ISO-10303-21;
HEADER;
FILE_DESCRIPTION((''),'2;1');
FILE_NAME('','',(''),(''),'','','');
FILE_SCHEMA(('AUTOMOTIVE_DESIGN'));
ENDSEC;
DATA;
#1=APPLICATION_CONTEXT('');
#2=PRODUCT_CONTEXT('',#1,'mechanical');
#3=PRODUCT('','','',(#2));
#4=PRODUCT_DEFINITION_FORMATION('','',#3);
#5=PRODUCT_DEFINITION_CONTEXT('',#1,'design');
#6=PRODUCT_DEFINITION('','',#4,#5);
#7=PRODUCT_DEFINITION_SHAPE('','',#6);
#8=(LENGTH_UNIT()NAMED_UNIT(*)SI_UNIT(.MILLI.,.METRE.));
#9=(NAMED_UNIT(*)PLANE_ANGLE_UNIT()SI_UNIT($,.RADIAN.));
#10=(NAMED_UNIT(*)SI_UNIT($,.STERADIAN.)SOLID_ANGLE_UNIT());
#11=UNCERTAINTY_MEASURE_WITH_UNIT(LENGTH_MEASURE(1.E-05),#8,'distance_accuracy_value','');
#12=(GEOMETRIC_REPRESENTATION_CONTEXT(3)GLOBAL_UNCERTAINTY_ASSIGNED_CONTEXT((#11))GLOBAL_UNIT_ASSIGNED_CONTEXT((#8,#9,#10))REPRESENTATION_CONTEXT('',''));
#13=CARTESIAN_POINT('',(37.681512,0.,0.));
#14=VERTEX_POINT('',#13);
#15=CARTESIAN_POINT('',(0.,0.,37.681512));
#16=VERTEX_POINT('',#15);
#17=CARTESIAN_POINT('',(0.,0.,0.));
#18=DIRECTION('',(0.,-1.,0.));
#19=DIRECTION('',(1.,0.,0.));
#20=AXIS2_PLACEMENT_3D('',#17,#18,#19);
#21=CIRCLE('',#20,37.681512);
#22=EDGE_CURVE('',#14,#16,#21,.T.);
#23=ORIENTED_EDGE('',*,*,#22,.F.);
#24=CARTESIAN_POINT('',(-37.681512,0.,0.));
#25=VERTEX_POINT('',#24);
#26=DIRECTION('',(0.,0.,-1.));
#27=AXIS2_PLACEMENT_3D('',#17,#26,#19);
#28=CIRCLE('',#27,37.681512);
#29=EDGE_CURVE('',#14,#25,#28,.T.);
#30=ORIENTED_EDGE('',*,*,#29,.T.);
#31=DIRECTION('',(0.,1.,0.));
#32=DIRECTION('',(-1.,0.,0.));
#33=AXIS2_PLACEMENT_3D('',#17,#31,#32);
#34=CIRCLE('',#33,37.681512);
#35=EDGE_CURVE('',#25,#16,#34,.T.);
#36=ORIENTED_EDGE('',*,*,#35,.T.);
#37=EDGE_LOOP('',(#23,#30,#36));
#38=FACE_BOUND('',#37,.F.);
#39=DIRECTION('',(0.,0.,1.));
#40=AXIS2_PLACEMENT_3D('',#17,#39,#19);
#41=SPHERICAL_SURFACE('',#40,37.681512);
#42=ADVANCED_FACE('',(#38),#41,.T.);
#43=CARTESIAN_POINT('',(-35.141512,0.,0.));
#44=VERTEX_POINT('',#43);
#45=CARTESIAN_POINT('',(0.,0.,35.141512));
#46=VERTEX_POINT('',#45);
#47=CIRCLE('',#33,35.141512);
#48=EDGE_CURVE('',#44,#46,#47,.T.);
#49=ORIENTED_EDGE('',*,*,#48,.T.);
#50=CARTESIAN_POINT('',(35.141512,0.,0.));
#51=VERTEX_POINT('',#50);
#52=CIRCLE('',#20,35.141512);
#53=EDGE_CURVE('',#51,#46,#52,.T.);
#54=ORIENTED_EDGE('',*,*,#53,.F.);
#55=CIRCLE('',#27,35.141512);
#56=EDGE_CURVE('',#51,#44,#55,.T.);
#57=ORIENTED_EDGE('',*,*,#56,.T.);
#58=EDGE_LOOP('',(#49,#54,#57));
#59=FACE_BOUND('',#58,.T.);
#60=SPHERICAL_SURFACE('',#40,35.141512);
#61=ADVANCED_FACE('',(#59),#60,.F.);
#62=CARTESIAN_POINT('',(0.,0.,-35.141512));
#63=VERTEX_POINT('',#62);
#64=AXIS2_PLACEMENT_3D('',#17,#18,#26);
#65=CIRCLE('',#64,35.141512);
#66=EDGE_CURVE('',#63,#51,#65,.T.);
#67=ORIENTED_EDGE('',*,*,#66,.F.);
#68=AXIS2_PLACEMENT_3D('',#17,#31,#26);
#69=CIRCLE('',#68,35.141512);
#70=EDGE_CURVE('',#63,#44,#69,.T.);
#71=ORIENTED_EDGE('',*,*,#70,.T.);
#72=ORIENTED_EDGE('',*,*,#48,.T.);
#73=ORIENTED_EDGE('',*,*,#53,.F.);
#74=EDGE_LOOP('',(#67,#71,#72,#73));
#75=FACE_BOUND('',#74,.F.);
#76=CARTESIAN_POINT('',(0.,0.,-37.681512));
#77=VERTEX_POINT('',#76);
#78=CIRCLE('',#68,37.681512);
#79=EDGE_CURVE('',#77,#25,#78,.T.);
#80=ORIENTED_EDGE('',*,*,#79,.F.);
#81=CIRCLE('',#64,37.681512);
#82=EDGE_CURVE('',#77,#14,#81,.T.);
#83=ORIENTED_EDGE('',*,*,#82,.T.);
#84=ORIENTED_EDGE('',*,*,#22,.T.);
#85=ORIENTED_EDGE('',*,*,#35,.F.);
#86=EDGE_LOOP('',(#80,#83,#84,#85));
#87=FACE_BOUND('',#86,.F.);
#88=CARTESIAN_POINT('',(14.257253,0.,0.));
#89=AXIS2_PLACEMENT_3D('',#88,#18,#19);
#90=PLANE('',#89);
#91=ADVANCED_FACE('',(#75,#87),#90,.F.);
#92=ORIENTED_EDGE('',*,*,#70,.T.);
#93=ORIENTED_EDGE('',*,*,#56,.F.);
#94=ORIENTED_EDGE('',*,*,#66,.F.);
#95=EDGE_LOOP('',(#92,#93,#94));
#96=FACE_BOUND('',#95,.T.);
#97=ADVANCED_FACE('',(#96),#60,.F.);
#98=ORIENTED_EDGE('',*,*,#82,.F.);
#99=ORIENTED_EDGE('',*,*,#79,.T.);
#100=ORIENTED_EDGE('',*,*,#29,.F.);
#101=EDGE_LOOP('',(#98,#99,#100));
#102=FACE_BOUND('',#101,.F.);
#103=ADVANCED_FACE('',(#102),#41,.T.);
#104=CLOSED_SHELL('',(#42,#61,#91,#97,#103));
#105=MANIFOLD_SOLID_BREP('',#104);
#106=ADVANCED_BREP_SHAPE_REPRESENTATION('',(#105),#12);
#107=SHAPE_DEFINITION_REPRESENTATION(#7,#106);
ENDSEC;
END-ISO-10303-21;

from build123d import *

# Parameters (mm, degrees)
F1_ANGLE = 180
F2_T     = -2.54


with BuildPart() as f1:
    # F0 (on Front) → F1 (revolve)
    with BuildSketch(Plane.XZ):
        with BuildLine():
            ThreePointArc((0, -37.6815115579), (26.6448523479, -26.6448523479), (37.6815115579, 0))
            ThreePointArc((37.6815115579, 0), (26.6448523479, 26.6448523479), (0, 37.6815115579))
            Line((0, 37.6815115579), (0, -37.6815115579))
        make_face()
    revolve(axis=Axis((0, 0, 0), (0, 0, -1)), revolution_arc=F1_ANGLE)

    # F2
    f2_openings = [f1.faces().sort_by_distance(p)[0] for p in [
        (0, 0, 0),
    ]]
    offset(amount=F2_T, openings=f2_openings)


solid = f1.part
